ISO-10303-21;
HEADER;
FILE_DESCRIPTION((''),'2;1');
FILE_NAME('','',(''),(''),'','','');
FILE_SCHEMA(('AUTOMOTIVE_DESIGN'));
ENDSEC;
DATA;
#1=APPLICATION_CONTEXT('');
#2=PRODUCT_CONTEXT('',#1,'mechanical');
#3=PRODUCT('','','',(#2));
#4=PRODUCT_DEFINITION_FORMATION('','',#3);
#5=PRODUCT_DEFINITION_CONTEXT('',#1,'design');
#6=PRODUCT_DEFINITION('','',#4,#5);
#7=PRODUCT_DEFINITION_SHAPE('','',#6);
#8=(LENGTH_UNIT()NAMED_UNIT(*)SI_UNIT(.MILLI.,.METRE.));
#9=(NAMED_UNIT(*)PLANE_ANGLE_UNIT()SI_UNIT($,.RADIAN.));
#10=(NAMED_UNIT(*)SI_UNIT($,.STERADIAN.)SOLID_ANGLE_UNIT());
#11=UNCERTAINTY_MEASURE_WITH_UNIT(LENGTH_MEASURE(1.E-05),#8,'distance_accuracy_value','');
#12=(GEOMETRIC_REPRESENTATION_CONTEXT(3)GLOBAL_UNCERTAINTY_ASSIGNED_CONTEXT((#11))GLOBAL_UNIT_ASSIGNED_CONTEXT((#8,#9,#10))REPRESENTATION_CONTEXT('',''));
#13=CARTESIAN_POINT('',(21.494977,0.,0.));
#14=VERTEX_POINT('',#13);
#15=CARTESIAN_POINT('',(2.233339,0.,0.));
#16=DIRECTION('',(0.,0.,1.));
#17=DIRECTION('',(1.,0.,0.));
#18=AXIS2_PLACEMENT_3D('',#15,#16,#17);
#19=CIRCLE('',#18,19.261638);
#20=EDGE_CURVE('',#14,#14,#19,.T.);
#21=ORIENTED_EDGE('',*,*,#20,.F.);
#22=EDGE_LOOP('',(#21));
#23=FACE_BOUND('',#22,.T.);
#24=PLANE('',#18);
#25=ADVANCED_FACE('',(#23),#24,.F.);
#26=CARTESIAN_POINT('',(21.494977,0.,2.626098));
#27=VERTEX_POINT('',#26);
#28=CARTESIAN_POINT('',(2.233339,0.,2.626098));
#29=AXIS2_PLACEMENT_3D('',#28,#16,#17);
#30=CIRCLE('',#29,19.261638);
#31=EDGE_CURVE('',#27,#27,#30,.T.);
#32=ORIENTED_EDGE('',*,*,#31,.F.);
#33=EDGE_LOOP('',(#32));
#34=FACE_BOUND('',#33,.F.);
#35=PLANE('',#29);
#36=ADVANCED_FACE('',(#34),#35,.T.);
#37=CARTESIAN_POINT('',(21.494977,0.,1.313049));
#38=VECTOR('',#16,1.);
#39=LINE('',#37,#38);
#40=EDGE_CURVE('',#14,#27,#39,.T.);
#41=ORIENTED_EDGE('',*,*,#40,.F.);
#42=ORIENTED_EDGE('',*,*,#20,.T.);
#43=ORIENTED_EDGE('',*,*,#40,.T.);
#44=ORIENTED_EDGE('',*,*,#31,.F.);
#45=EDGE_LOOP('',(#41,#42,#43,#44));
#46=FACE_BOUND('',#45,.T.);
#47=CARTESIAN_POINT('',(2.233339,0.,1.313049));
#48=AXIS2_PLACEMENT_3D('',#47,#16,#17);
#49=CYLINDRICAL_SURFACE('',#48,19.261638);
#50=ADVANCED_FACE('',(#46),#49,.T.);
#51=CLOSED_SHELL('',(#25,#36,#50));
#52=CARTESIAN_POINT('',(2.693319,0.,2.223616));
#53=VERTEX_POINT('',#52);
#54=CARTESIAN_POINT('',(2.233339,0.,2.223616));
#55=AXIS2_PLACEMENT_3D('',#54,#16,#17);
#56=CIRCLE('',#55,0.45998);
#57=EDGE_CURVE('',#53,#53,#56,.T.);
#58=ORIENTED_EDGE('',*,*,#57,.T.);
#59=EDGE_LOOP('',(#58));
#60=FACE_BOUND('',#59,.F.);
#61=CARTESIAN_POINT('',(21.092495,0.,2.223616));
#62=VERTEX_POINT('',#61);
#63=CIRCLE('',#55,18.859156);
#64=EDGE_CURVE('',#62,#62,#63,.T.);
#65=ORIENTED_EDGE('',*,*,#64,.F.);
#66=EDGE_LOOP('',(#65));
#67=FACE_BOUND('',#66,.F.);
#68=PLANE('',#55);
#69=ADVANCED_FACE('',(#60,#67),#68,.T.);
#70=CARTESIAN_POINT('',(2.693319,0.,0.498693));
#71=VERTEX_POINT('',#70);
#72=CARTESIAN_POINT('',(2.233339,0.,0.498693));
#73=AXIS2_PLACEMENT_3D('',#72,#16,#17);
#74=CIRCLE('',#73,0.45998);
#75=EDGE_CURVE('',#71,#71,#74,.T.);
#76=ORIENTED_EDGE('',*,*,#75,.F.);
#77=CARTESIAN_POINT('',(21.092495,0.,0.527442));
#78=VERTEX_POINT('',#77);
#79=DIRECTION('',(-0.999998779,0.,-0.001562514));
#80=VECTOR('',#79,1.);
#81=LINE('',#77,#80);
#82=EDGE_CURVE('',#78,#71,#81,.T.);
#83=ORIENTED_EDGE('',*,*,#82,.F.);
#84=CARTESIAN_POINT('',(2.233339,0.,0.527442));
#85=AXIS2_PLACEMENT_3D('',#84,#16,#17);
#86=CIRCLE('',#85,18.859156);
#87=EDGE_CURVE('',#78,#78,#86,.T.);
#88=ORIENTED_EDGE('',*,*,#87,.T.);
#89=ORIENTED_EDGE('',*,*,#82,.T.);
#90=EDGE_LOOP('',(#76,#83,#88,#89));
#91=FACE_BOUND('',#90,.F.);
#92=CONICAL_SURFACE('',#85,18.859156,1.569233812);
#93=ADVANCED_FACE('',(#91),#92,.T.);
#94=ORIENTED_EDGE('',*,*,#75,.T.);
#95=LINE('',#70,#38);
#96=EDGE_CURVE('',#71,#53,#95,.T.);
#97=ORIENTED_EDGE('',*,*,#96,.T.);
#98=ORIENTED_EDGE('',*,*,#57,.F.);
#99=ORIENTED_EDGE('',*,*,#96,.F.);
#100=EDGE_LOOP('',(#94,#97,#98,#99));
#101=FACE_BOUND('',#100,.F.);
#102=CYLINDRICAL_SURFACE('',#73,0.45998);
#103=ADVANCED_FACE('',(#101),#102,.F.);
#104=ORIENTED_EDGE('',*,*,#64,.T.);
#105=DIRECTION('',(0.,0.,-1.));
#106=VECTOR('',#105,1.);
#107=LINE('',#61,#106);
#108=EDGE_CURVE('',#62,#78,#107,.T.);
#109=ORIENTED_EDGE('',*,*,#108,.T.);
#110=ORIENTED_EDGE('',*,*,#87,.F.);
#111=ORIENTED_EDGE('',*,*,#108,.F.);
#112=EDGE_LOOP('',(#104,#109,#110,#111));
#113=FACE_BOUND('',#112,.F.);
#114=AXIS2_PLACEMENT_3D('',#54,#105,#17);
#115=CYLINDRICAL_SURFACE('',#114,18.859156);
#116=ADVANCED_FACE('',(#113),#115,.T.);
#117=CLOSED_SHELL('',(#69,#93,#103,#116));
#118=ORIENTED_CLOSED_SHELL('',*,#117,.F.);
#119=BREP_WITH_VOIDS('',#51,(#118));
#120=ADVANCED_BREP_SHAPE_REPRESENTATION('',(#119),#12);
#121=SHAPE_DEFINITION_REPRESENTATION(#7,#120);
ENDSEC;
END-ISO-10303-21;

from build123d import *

# Parameters (mm, degrees)
F0_W = 19.261638
F0_H = 2.626098


with BuildPart() as f1:
    # F0 (on Front) → F1 (revolve)
    with BuildSketch(Plane.XZ):
        with Locations((11.864158, 1.313049)):
            Rectangle(F0_W, F0_H)
        Polygon((21.092495, 0.527442), (2.693319, 0.498693), (2.693319, 2.223616), (21.092495, 2.223616), align=None, mode=Mode.SUBTRACT)
    revolve(axis=Axis((2.233339, 0, 1.313049), (0, 0, 1)))


solid = f1.part
